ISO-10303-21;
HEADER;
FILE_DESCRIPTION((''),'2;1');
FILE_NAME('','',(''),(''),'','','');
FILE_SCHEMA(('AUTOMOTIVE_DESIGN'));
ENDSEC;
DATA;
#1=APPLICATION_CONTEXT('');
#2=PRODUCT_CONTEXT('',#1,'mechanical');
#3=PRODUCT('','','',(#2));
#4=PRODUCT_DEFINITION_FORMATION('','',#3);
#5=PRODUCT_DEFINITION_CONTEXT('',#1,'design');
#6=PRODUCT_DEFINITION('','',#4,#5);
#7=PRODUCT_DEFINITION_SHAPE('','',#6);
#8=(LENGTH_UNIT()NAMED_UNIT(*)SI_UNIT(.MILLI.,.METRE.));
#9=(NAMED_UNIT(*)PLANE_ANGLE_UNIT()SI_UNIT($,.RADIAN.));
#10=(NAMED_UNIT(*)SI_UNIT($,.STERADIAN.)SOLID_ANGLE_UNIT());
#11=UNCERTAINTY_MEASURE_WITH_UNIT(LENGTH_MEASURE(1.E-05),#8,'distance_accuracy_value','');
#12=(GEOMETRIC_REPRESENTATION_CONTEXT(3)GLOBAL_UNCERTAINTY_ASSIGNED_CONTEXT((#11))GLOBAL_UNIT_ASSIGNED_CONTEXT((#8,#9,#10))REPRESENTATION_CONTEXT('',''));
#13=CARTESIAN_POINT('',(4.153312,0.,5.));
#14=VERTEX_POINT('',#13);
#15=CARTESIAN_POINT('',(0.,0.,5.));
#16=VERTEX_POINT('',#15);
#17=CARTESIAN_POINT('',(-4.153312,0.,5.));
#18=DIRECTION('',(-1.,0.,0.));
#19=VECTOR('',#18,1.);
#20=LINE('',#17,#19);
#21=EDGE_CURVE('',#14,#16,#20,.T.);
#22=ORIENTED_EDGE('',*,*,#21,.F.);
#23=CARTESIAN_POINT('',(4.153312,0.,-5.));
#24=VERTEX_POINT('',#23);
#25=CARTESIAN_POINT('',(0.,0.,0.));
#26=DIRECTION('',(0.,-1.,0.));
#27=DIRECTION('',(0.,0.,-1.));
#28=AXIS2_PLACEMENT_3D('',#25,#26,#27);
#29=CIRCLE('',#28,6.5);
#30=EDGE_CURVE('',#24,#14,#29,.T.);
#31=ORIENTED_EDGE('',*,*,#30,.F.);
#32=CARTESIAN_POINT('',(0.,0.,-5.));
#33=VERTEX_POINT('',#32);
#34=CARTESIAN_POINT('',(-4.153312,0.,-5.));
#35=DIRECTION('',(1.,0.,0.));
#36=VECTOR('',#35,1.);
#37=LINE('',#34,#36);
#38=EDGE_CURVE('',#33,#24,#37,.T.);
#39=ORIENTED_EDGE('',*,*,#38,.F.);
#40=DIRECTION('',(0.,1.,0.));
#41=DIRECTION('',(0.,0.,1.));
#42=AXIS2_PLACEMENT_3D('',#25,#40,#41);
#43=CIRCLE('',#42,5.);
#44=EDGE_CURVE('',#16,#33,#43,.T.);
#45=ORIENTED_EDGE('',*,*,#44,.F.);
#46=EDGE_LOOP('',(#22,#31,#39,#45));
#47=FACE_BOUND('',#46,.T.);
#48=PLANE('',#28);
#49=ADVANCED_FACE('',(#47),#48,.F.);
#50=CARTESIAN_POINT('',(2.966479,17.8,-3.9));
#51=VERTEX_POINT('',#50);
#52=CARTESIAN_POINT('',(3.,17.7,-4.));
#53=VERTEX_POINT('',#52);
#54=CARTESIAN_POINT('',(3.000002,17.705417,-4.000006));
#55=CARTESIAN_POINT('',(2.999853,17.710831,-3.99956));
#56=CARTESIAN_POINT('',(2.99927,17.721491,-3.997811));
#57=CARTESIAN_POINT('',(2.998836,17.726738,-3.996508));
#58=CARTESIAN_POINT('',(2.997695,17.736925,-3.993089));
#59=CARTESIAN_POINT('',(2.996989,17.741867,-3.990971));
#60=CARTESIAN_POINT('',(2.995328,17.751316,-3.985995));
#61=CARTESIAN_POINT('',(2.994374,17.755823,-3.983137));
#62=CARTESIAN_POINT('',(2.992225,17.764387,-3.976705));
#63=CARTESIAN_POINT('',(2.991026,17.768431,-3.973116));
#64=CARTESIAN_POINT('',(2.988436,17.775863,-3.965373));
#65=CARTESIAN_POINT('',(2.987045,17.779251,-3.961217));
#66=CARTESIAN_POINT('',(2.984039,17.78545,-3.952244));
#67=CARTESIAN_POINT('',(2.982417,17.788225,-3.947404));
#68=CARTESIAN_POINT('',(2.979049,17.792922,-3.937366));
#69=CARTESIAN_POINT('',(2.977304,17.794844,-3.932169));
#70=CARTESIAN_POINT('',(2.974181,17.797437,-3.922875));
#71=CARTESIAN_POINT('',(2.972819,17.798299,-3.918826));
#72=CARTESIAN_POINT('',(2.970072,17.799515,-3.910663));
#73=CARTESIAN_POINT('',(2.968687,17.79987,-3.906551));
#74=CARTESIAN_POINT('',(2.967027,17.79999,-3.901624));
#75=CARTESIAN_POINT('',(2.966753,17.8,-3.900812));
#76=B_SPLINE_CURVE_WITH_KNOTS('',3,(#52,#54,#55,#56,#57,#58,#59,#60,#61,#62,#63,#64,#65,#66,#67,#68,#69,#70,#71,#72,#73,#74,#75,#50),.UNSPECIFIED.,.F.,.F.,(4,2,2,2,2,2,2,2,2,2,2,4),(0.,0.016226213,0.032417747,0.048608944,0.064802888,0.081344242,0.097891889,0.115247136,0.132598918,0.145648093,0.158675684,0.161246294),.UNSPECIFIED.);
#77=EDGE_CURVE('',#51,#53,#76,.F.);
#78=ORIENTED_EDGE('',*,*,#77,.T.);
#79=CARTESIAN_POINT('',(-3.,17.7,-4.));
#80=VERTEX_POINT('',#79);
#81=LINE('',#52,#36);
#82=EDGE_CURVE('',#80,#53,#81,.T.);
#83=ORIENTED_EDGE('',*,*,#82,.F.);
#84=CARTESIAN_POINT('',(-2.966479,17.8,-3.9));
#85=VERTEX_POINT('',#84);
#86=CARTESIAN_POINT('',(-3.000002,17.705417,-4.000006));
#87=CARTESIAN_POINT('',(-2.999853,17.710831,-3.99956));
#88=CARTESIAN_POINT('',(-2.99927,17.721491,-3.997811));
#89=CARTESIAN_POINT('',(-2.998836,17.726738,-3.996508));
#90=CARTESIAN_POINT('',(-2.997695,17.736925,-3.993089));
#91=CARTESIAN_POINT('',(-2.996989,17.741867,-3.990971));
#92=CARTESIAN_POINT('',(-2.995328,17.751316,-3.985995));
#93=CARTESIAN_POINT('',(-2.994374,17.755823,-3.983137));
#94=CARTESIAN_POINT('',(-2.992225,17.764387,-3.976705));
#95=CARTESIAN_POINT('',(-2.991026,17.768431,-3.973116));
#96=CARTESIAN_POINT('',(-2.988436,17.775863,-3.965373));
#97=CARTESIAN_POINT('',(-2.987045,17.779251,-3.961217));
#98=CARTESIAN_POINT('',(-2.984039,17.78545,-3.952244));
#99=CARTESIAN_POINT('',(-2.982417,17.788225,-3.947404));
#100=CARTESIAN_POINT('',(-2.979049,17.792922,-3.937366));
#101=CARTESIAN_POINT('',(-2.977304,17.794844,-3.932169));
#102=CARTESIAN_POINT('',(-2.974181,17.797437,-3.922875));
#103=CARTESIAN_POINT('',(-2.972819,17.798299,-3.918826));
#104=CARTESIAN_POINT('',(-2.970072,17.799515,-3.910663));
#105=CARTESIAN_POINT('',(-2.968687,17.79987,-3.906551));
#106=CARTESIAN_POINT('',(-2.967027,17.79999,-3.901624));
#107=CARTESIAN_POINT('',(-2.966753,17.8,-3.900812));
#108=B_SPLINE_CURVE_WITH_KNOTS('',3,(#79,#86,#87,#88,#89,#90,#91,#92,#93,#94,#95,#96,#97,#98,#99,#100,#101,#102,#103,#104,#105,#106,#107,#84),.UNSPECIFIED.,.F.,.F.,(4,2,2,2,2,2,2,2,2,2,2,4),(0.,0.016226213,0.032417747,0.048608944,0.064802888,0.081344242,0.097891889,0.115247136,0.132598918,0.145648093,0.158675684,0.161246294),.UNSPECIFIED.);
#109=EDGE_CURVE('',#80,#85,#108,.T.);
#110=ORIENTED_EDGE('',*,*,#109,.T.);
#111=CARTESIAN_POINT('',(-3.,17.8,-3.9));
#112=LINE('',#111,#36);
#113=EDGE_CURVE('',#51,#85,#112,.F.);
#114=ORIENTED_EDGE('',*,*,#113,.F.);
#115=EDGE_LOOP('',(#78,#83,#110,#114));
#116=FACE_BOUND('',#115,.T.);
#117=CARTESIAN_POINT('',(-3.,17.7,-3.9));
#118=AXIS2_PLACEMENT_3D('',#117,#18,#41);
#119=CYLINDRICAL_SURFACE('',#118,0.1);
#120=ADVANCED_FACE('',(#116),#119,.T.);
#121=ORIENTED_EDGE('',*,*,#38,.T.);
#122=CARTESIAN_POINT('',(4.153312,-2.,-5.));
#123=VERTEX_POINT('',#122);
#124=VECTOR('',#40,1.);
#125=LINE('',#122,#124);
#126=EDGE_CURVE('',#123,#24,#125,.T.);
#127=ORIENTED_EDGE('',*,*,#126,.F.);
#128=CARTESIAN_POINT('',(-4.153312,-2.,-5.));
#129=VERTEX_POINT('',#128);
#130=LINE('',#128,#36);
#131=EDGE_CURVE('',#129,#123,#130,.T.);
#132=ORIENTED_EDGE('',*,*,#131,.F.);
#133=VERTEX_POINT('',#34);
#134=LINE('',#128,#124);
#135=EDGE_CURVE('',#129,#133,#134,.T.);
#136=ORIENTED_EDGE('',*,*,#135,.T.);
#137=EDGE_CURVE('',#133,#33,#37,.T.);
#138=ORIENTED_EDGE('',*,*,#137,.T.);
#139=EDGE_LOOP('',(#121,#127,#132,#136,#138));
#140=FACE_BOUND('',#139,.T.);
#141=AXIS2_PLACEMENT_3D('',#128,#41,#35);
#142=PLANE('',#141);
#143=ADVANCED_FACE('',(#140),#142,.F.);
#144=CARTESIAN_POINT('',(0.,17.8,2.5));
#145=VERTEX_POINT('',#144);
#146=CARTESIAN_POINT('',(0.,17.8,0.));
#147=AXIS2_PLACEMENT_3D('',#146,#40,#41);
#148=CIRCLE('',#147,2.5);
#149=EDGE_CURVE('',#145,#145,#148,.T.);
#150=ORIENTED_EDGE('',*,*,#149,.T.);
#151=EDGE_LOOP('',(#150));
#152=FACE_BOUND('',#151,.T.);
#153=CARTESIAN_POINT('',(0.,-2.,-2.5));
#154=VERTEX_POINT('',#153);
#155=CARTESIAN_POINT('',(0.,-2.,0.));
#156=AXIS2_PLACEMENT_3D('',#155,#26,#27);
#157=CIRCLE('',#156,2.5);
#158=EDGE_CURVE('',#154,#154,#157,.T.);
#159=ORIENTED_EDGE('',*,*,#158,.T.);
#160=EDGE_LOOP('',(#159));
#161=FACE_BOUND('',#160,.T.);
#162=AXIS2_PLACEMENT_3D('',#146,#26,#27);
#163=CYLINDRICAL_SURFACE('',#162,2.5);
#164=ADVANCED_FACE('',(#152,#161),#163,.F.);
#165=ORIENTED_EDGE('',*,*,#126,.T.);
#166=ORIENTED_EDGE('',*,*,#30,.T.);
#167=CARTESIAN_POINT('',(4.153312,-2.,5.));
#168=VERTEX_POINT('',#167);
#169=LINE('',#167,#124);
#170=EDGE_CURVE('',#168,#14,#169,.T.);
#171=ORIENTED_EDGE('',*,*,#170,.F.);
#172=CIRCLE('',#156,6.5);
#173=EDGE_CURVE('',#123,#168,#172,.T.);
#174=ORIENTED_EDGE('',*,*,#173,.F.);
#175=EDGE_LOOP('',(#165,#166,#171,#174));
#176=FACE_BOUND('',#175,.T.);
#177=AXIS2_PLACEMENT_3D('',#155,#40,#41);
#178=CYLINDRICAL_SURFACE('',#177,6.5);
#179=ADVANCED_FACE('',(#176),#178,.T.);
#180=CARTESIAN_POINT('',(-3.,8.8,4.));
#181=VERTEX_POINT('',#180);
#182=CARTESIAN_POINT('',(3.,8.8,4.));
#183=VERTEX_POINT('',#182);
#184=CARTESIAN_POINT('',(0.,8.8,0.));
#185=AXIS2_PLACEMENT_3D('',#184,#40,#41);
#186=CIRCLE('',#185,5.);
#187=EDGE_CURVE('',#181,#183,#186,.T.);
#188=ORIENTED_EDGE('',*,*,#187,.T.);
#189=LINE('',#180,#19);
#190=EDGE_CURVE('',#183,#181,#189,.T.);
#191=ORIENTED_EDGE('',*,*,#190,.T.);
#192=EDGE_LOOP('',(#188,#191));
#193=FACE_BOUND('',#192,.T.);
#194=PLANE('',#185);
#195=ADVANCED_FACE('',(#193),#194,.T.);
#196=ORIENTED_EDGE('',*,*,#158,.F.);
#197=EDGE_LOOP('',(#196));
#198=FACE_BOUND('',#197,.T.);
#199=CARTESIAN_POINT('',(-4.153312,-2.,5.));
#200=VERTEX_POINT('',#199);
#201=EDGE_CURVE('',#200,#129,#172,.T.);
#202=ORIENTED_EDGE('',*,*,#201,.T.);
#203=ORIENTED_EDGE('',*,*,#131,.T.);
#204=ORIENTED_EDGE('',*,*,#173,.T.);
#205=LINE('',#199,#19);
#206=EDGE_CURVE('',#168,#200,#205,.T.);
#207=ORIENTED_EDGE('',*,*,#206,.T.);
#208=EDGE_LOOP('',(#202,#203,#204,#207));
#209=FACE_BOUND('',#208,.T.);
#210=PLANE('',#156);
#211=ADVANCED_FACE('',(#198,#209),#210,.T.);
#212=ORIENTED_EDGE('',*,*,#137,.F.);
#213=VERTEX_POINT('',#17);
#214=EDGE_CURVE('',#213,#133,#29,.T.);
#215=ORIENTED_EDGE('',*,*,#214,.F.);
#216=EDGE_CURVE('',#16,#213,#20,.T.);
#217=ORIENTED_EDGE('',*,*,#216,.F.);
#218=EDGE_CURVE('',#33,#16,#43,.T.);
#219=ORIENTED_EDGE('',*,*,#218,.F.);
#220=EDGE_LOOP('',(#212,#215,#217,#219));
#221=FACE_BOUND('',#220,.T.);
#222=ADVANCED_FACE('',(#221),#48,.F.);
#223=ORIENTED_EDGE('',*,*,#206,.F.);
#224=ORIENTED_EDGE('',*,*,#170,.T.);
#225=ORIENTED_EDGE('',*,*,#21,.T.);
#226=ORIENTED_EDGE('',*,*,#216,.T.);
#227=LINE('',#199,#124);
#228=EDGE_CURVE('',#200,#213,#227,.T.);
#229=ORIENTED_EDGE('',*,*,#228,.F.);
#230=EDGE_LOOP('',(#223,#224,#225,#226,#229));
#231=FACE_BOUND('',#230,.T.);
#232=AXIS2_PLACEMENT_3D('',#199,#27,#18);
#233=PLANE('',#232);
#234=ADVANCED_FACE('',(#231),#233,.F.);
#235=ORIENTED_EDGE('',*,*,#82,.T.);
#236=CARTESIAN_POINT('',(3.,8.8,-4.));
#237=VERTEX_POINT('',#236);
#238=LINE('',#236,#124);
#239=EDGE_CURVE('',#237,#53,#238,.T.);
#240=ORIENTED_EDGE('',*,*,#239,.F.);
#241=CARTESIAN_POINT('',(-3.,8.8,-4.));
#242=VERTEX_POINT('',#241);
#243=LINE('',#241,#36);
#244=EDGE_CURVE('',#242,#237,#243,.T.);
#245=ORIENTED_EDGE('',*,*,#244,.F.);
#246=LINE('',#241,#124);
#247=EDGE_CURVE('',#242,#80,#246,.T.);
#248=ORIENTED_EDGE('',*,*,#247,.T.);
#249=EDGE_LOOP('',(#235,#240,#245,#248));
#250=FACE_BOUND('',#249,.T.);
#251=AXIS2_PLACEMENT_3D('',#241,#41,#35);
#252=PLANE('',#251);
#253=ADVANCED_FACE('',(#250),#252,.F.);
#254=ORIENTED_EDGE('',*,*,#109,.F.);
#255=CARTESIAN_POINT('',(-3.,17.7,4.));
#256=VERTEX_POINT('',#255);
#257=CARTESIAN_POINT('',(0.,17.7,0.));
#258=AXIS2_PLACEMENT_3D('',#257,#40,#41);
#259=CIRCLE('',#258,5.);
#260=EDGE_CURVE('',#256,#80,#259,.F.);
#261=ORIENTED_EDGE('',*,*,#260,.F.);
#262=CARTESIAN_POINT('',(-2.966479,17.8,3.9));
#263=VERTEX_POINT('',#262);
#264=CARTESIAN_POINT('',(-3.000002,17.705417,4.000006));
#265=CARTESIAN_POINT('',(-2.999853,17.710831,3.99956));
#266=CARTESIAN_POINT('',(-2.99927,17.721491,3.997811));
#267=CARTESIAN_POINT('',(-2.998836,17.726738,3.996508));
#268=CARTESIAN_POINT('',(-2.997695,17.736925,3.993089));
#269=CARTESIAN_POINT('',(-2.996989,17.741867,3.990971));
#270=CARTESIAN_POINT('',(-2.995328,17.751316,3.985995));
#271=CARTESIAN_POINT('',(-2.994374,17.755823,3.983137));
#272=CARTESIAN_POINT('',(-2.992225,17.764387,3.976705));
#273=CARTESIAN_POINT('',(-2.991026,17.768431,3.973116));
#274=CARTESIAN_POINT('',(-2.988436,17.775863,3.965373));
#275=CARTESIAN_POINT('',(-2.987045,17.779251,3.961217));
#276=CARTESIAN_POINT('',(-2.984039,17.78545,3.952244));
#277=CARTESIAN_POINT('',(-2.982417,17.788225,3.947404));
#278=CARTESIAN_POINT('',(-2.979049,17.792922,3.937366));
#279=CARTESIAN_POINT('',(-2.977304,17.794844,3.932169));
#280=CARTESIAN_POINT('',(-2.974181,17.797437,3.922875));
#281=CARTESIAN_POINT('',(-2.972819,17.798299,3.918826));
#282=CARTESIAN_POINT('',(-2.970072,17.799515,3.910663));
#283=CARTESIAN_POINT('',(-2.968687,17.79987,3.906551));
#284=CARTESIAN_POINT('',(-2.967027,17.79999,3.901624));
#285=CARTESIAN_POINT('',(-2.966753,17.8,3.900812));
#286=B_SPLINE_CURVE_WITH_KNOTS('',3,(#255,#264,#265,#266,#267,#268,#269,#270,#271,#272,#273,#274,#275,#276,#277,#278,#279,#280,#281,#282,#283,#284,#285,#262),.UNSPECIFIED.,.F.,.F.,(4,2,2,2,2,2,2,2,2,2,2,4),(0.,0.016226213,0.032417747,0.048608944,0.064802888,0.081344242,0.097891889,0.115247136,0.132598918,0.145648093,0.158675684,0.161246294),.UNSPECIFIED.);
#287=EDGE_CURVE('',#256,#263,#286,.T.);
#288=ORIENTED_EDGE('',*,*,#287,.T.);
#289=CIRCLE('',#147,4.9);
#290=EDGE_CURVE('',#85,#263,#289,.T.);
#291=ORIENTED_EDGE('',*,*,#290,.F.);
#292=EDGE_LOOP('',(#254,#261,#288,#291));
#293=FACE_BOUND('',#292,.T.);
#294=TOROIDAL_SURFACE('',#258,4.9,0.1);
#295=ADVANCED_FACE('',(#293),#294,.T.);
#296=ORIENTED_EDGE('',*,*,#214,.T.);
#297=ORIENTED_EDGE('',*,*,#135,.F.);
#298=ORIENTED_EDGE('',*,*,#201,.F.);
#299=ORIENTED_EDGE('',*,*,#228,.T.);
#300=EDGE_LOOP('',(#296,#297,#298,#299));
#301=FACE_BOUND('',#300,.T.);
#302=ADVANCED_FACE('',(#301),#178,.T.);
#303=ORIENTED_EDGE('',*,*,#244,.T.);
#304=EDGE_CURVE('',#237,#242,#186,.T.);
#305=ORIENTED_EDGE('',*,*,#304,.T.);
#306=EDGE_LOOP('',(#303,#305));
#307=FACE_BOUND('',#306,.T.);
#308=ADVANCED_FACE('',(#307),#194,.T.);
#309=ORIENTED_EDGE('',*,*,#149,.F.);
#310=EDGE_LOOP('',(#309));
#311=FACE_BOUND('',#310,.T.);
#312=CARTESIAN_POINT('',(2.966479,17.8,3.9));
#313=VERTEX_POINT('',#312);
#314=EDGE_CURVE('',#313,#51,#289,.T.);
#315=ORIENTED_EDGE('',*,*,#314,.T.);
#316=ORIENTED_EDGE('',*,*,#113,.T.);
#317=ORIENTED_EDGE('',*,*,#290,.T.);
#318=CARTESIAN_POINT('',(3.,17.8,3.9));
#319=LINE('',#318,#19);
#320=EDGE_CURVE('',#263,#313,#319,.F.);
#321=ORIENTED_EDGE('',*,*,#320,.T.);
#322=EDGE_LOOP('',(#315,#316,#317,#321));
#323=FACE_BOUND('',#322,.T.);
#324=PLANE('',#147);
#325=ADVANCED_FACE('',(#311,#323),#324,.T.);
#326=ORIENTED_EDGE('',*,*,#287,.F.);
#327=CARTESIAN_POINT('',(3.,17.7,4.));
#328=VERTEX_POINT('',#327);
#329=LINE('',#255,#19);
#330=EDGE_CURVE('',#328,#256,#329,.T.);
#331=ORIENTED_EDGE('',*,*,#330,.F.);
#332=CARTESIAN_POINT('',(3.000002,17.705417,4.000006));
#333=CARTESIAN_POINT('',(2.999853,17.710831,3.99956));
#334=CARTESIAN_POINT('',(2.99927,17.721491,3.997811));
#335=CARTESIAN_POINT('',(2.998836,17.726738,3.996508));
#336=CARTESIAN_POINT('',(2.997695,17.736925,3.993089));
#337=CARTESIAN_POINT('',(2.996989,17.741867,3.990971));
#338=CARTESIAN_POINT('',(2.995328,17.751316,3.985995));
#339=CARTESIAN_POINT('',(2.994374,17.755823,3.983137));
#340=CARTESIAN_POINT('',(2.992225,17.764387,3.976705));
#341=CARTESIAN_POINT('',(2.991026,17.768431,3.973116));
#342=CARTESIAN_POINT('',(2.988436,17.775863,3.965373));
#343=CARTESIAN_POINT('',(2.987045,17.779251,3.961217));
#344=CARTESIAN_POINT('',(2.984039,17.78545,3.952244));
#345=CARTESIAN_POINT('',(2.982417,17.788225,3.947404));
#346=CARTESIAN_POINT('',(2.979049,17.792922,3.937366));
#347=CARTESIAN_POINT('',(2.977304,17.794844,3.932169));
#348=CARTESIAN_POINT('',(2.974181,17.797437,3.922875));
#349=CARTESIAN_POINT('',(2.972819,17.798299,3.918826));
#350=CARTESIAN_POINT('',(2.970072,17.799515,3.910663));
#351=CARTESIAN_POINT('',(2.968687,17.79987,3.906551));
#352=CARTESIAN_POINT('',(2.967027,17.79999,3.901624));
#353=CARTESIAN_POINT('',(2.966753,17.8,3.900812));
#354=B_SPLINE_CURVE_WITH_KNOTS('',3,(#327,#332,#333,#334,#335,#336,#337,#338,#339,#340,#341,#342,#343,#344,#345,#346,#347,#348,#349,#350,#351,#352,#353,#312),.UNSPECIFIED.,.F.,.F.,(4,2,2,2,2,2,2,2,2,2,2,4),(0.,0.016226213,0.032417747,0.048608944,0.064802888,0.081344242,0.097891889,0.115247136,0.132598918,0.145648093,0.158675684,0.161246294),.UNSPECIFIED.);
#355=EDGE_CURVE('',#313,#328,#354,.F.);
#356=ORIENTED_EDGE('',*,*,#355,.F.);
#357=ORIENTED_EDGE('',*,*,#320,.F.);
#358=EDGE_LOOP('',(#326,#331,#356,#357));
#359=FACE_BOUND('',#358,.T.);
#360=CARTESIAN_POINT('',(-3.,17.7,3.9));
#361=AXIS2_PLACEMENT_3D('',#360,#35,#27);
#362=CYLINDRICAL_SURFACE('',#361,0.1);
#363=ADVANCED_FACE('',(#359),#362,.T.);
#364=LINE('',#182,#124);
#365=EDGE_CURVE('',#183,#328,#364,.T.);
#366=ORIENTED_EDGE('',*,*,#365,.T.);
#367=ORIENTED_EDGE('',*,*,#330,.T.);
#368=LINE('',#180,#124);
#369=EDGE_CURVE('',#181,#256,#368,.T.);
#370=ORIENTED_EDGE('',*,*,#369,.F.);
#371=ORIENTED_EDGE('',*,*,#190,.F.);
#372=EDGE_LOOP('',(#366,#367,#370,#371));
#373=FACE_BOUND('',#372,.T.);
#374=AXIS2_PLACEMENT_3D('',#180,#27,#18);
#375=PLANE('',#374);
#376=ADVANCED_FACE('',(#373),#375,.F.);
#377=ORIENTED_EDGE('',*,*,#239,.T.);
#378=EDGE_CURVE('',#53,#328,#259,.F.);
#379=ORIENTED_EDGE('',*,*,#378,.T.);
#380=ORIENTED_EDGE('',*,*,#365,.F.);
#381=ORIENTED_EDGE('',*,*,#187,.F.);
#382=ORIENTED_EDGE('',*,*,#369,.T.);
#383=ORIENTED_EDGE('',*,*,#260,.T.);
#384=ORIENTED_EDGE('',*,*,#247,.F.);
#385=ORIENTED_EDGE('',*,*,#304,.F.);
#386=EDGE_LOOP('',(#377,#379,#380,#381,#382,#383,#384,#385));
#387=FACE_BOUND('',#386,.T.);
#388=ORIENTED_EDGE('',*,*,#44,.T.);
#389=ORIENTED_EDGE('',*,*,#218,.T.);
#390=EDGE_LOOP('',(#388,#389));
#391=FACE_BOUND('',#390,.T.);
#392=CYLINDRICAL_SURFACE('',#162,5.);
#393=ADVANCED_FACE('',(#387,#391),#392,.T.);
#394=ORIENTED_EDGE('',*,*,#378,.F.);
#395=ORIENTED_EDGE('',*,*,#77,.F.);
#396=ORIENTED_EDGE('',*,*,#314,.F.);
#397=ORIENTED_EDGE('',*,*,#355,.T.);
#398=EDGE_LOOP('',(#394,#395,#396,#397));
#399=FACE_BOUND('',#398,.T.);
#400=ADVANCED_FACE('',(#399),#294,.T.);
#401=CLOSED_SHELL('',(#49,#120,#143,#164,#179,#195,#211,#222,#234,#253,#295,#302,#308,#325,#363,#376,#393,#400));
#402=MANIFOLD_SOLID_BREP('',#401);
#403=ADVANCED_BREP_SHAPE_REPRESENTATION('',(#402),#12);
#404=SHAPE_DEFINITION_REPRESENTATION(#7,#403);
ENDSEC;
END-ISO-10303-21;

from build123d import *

# Parameters (mm, degrees)
SKETCH_1_R          = 5
SKETCH_1_R_2        = 2.5
EXTRUDE_1_DEPTH     = 17.8
CUT_EXTRUDE_1_DEPTH = 9
SKETCH_4_R          = 2.5
EXTRUDE_2_DEPTH     = 2
FILLET_1_R          = 0.1


with BuildPart() as part:
    # 草图1 → 凸台-拉伸1 (new body)
    with BuildSketch(Plane(origin=(0, 0, 0), x_dir=(1, 0, 0), z_dir=(0, 1, 0))):
        Circle(SKETCH_1_R)
        Circle(SKETCH_1_R_2, mode=Mode.SUBTRACT)
    extrude(amount=EXTRUDE_1_DEPTH)

    # 草图3 → 切除-拉伸1 (cut)
    with BuildSketch(Plane(origin=(0, 17.8, 0), x_dir=(1, 0, 0), z_dir=(0, 1, 0))):
        with BuildLine():
            Line((-3, -4), (3, -4))
            ThreePointArc((3, -4), (0, -5), (-3, -4))
        make_face()
        with BuildLine():
            Line((-3, 4), (3, 4))
            ThreePointArc((3, 4), (0, 5), (-3, 4))
        make_face()
    extrude(amount=-CUT_EXTRUDE_1_DEPTH, mode=Mode.SUBTRACT)

    # 草图4 → 凸台-拉伸2 (add)
    with BuildSketch(Plane.XZ):
        with BuildLine():
            Line((-4.153311931, 5), (4.153311931, 5))
            ThreePointArc((4.153311931, 5), (6.5, 0), (4.153311931, -5))
            Line((4.153311931, -5), (-4.153311931, -5))
            ThreePointArc((-4.153311931, -5), (-6.5, 0), (-4.153311931, 5))
        make_face()
        Circle(SKETCH_4_R, mode=Mode.SUBTRACT)
    extrude(amount=EXTRUDE_2_DEPTH)

    # 圆角1
    fillet_1_edges = [part.edges().sort_by_distance(p)[0] for p in [
        (0, 17.8, 4),
        (-5, 17.8, 0),
        (0, 17.8, -4),
        (4.472135955, 17.8, 2.236067977),
    ]]
    fillet(fillet_1_edges, radius=FILLET_1_R)


solid = part.part
